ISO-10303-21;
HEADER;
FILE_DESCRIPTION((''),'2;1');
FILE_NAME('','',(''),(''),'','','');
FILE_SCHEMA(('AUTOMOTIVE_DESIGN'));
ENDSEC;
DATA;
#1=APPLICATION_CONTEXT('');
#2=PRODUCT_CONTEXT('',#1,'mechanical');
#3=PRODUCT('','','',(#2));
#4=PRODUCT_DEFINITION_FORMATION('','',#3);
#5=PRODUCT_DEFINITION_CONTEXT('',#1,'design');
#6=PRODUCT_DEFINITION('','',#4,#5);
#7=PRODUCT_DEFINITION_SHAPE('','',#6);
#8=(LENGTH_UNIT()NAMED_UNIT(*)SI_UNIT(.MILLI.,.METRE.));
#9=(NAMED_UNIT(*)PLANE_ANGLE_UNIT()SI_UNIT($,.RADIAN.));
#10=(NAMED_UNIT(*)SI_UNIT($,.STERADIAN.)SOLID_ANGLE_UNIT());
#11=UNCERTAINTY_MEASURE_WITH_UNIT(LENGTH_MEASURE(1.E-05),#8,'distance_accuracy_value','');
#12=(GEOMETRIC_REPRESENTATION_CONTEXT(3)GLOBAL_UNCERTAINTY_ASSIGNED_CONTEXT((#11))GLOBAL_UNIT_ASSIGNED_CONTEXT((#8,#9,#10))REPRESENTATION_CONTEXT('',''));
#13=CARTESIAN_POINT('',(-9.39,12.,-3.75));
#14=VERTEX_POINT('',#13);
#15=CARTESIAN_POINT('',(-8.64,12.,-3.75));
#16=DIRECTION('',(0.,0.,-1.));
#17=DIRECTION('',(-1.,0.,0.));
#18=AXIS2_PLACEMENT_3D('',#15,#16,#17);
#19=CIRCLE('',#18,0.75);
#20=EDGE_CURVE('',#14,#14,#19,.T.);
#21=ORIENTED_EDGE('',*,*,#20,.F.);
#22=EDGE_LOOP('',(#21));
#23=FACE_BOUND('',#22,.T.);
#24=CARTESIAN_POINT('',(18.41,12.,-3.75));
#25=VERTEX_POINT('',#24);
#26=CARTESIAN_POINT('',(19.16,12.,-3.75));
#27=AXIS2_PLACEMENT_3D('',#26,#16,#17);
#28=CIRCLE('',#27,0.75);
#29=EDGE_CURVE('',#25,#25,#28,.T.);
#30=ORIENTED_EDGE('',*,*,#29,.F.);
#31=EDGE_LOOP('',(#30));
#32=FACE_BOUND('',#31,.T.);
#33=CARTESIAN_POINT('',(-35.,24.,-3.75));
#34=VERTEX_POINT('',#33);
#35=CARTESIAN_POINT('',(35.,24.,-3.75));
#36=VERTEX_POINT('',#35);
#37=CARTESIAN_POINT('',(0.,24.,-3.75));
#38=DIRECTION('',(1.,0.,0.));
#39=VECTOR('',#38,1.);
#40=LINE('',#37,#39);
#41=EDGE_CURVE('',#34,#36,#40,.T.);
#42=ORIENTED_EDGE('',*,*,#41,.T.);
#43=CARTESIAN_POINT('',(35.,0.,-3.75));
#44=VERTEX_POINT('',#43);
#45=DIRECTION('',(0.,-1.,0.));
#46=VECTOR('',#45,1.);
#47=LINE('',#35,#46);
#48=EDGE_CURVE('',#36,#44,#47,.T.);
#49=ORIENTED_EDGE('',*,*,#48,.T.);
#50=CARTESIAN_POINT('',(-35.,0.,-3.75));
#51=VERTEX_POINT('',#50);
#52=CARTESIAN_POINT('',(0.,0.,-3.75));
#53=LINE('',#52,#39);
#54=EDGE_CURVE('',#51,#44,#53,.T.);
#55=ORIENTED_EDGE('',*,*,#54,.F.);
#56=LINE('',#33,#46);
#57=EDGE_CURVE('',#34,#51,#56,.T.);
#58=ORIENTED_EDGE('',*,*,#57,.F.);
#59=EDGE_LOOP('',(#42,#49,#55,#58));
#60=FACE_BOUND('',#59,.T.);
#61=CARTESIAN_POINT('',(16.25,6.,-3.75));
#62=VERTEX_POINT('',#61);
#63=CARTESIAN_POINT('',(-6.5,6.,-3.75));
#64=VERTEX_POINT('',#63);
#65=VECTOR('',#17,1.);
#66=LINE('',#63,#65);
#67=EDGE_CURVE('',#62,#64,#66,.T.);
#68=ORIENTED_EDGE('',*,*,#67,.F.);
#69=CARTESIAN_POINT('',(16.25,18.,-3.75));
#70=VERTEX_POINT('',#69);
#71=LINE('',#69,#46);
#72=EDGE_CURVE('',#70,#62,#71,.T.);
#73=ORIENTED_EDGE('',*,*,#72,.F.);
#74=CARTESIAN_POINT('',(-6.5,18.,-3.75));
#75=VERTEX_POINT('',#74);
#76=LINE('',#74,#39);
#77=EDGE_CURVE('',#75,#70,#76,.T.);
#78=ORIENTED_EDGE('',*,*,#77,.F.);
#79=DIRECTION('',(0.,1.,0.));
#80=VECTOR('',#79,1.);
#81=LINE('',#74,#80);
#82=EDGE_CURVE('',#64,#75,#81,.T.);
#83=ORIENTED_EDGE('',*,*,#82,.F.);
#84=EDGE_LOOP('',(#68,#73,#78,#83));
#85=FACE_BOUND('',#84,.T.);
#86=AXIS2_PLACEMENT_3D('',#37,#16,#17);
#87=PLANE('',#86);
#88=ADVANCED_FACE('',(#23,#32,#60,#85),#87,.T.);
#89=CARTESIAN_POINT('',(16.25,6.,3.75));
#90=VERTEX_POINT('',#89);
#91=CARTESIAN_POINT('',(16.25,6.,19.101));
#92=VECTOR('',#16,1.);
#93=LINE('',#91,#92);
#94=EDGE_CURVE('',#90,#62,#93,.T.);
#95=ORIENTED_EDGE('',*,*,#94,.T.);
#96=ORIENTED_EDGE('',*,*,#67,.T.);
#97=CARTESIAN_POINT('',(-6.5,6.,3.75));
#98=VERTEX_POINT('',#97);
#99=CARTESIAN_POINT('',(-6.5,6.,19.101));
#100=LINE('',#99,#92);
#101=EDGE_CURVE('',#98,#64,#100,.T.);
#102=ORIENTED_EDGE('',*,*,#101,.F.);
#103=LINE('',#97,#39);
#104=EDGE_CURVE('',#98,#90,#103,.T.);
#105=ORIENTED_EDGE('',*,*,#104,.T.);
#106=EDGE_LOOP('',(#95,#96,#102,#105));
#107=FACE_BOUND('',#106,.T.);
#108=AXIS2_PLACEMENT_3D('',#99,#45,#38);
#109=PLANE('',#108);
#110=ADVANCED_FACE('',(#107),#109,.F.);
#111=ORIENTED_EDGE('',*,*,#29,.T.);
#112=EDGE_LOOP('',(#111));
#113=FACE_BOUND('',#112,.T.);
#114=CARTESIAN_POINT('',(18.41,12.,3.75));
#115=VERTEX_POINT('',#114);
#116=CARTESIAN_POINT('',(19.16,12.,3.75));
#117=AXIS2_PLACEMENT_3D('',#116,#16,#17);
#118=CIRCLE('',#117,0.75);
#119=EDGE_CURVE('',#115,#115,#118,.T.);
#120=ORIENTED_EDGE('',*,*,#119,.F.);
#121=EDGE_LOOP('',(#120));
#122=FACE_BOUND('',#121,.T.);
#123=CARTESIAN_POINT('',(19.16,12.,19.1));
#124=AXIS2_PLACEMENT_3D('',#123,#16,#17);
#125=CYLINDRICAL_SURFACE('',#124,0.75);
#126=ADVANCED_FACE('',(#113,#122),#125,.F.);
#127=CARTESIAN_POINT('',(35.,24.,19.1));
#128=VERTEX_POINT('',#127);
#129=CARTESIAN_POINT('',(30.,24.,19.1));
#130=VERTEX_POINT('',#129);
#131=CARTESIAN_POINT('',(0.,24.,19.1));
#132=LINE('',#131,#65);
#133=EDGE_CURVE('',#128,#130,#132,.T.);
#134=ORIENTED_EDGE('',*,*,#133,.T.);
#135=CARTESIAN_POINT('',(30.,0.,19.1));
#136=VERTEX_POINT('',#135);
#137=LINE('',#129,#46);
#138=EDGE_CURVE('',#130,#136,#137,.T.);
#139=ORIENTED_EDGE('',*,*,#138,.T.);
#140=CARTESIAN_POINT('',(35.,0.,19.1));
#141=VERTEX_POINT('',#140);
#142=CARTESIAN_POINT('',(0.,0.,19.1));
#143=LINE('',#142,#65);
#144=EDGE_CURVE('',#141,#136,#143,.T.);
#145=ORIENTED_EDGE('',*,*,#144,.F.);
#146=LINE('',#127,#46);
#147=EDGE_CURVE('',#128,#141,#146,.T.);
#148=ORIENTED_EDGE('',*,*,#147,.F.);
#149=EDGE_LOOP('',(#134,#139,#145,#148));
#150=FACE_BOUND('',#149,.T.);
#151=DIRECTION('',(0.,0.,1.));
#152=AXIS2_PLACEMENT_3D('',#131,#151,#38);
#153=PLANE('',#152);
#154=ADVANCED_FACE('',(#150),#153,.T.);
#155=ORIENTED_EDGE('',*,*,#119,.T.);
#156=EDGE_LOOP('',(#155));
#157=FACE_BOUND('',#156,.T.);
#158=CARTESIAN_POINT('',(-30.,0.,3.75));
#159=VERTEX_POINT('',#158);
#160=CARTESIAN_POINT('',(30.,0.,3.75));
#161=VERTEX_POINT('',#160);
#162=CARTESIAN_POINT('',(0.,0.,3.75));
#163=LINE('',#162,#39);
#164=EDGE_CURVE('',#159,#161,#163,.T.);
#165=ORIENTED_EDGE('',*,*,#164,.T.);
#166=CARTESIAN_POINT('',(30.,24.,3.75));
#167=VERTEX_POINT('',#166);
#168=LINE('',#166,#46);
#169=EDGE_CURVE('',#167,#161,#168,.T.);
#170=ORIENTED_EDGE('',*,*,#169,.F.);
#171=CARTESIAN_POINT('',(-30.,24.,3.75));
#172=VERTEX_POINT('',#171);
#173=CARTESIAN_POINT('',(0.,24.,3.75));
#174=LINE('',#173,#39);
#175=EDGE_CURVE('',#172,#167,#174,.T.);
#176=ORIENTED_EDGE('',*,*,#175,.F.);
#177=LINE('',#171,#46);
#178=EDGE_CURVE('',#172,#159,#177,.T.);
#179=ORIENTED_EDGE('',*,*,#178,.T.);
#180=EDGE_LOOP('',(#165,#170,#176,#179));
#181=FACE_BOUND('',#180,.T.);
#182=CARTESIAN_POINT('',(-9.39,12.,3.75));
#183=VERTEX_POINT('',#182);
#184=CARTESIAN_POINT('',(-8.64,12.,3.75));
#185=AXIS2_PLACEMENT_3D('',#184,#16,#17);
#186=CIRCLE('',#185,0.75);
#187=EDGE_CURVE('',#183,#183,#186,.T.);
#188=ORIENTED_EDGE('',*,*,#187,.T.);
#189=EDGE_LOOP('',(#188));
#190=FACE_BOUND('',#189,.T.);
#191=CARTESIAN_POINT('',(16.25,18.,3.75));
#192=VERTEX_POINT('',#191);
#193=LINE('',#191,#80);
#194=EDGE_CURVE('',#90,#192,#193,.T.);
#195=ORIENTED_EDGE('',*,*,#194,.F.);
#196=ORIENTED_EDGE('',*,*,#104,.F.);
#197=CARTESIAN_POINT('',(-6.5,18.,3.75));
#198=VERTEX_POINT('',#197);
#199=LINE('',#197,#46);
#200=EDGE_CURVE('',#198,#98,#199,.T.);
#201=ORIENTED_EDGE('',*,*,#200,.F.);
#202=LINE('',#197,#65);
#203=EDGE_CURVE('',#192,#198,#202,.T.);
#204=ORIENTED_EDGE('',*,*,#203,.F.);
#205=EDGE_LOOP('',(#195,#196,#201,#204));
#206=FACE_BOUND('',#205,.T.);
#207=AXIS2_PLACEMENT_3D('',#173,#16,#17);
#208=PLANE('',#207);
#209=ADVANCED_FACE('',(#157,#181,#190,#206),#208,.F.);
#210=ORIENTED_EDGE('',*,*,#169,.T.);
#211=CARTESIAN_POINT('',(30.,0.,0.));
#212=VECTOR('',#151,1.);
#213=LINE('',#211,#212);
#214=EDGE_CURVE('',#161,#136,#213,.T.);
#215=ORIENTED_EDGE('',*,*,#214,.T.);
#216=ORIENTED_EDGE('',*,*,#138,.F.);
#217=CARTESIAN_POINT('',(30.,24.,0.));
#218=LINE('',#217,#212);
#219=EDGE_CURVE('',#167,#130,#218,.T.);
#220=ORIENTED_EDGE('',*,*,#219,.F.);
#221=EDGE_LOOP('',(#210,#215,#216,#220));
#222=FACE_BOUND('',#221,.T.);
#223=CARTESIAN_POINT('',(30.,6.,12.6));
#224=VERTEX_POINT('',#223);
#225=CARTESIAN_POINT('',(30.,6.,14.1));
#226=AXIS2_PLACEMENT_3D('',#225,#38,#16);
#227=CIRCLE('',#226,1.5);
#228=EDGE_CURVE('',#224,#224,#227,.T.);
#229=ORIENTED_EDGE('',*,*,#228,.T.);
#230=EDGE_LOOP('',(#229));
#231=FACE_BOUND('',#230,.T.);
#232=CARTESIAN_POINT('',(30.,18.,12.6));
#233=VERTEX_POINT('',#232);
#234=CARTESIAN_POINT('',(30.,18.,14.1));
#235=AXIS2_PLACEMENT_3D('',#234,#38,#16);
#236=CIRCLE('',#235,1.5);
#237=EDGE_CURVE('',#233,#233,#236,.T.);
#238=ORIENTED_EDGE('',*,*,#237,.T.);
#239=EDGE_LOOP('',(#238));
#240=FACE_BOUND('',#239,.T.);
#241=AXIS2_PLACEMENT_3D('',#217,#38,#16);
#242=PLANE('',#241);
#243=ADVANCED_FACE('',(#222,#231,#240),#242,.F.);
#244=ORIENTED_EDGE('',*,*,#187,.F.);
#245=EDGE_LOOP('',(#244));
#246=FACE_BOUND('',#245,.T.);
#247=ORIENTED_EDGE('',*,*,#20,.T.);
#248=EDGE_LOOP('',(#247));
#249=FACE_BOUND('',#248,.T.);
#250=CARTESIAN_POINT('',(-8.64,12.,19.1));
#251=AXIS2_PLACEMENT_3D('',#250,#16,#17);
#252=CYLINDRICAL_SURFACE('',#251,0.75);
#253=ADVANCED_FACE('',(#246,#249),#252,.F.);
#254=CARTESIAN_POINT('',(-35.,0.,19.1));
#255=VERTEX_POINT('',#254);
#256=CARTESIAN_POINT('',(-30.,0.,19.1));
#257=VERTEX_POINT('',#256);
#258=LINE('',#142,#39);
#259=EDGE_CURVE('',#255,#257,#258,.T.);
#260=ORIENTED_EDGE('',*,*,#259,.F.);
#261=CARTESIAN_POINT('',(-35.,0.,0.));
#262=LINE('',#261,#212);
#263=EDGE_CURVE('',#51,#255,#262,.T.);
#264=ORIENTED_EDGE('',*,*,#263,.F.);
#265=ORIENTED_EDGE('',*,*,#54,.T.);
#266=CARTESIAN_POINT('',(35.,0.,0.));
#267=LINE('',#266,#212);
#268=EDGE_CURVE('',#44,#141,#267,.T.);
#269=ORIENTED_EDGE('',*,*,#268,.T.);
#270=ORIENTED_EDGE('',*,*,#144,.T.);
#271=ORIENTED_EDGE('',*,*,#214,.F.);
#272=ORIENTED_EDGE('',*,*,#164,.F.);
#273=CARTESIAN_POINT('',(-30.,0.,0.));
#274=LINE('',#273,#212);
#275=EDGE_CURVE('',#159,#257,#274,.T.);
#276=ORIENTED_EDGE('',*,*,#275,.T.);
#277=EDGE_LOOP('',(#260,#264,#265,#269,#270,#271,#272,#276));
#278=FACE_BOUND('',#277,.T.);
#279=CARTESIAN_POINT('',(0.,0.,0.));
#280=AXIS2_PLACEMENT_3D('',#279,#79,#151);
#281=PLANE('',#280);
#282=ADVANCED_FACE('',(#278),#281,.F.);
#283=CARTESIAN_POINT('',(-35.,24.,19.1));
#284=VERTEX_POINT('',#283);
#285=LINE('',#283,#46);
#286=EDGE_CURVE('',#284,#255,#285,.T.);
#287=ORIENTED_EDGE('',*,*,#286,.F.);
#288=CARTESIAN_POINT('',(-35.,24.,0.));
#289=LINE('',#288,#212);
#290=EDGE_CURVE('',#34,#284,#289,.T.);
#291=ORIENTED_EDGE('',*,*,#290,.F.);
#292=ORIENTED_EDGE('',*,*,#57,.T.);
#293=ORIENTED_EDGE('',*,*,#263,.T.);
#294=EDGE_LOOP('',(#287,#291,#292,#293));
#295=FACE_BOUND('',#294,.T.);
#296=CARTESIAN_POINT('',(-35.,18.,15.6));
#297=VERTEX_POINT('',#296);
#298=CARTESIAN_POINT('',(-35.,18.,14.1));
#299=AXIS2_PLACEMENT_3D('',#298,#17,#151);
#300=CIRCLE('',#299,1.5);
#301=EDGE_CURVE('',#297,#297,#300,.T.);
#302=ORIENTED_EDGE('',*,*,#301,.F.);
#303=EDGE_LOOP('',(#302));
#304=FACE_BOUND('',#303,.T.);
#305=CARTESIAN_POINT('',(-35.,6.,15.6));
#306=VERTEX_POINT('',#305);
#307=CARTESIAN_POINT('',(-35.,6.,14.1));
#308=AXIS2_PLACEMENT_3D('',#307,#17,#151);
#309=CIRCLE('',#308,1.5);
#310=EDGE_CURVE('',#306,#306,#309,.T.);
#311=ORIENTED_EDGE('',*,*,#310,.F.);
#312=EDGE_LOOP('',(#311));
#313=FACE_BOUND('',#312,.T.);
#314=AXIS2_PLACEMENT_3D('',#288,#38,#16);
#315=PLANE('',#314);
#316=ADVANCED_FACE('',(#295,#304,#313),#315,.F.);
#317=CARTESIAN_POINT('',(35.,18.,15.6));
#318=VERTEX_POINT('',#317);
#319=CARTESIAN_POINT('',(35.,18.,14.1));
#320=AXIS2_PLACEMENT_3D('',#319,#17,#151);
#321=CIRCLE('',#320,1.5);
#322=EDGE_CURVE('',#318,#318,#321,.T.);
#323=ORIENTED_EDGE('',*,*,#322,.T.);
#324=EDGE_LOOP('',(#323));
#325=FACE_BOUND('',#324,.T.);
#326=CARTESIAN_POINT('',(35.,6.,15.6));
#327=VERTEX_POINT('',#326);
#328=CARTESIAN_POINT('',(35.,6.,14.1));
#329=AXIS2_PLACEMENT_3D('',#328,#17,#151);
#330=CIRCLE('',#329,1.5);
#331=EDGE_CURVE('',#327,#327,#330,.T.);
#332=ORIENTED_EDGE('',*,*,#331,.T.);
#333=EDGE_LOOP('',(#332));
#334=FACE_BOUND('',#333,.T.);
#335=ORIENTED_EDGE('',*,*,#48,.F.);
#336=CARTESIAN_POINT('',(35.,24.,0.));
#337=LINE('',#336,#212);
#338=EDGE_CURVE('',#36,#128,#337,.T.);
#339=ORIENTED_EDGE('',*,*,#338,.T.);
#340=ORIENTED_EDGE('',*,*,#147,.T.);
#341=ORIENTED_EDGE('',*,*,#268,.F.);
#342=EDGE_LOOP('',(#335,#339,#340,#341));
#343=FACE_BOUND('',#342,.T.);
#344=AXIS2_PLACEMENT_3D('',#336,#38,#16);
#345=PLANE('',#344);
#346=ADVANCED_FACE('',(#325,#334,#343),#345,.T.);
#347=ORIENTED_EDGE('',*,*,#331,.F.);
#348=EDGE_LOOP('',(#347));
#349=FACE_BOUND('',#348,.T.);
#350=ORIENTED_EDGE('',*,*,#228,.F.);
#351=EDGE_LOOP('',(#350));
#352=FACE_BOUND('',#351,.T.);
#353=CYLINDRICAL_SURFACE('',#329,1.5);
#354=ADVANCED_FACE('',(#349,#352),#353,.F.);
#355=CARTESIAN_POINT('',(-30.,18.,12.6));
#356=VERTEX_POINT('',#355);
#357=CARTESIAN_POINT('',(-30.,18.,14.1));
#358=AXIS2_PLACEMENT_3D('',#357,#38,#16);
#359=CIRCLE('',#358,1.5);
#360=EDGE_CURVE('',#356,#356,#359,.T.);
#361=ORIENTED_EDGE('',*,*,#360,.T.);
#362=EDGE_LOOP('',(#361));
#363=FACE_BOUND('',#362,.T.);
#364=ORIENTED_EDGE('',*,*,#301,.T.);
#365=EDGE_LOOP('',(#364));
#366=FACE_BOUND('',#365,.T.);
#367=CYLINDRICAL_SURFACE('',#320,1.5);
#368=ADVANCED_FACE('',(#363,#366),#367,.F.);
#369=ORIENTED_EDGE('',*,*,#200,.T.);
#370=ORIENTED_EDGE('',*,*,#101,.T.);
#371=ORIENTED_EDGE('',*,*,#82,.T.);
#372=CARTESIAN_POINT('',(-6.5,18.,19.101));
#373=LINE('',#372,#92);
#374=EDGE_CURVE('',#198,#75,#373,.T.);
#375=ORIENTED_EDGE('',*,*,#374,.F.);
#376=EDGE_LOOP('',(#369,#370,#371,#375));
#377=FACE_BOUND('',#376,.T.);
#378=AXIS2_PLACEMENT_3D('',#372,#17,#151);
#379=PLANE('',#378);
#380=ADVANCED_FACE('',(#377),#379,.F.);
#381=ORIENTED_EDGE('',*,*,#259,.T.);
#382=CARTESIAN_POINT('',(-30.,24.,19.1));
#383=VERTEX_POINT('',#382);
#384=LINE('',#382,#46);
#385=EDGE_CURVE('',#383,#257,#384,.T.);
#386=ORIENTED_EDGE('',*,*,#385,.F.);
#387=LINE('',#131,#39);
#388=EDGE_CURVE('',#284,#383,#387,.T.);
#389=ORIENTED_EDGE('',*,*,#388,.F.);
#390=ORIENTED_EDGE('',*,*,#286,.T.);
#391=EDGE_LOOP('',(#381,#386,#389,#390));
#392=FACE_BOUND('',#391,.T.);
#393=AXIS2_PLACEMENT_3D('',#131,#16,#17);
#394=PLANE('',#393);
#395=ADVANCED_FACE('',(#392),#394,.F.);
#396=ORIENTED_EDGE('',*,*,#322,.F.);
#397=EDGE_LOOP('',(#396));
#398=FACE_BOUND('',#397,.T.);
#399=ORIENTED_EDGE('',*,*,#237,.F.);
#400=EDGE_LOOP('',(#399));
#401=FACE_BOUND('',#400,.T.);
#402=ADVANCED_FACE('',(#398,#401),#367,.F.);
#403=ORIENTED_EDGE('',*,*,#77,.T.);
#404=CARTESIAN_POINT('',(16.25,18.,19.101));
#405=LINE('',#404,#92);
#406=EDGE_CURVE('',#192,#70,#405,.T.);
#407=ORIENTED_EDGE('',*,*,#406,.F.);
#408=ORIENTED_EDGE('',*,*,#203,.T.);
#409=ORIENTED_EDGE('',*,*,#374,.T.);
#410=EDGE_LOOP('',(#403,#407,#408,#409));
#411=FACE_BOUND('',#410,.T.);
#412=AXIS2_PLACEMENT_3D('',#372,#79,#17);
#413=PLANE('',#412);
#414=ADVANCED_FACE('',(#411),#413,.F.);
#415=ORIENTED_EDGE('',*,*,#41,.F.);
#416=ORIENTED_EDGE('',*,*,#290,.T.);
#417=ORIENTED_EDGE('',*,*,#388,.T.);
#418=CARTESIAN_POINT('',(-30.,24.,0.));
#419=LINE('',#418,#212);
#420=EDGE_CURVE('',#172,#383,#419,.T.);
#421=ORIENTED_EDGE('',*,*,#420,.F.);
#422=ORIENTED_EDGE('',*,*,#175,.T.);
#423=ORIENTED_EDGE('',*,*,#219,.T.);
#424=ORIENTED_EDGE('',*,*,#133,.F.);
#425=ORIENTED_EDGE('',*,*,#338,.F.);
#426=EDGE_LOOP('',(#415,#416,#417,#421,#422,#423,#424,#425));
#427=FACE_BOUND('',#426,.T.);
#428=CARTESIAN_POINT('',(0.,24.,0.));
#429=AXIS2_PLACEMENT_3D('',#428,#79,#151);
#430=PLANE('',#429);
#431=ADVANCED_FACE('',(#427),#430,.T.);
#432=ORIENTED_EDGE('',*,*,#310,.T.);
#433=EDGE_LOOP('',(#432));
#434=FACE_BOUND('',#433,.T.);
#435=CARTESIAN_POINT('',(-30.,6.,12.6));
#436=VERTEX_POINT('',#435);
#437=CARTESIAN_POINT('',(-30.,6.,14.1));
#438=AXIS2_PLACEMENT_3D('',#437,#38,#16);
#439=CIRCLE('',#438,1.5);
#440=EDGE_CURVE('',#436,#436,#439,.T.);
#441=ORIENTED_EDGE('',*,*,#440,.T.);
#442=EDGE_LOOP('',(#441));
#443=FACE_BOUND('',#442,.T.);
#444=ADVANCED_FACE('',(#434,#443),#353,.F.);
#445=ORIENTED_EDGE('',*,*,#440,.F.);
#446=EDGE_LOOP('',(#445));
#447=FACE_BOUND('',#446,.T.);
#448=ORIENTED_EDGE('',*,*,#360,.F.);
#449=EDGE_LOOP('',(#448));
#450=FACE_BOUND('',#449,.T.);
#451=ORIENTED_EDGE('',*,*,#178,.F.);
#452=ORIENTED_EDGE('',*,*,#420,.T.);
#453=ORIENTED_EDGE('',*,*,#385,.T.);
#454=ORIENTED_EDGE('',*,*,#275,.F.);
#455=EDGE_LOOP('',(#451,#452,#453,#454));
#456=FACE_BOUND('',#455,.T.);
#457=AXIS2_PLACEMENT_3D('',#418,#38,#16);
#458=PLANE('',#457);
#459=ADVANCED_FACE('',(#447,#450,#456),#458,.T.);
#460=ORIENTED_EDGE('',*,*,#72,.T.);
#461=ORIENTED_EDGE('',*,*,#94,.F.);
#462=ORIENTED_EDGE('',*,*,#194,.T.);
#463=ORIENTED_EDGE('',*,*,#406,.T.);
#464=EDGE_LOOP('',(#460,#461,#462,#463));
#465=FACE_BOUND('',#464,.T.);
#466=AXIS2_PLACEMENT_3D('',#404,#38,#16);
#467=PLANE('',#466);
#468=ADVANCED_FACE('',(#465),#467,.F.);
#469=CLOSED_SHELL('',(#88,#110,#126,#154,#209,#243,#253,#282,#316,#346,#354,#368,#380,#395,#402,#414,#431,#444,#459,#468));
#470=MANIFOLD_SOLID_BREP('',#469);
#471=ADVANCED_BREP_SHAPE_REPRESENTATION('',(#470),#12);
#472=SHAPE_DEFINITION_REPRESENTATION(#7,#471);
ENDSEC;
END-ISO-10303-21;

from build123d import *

# Parameters (mm, degrees)
SKETCH1_W           = 5
SKETCH1_H           = 15.35
BOSS_EXTRUDE1_DEPTH = 24
SKETCH2_R           = 1.5
CUT_EXTRUDE1_DEPTH  = 77.425192182
CUT_EXTRUDE4_REACH  = 50.199
SKETCH8_W           = 22.75
SKETCH8_H           = 12
SKETCH9_R           = 0.75
CUT_EXTRUDE5_DEPTH  = 49.198781105


with BuildPart() as part:
    # Sketch1 → Boss-Extrude1 (new body)
    with BuildSketch(Plane(origin=(0, 0, 0), x_dir=(1, 0, 0), z_dir=(0, 1, 0))):
        with Locations((-32.5, -11.425)):
            Rectangle(SKETCH1_W, SKETCH1_H)
        Polygon((-35, -3.75), (-30, -3.75), (0, -3.75), (0, 3.75), (-35, 3.75), align=None)
        Polygon((0, 3.75), (0, -3.75), (30, -3.75), (35, -3.75), (35, 3.75), align=None)
        with Locations((32.5, -11.425)):
            Rectangle(SKETCH1_W, SKETCH1_H)
    extrude(amount=BOSS_EXTRUDE1_DEPTH)

    # Sketch2 → Cut-Extrude1 (cut, through all)
    with BuildSketch(Plane.ZY.offset(35)):
        with Locations((14.1, 18)):
            Circle(SKETCH2_R)
        with Locations((14.1, 6)):
            Circle(SKETCH2_R)
    extrude(amount=-CUT_EXTRUDE1_DEPTH, mode=Mode.SUBTRACT)

    # Sketch8 → Cut-Extrude4 (cut, up to next)
    with BuildSketch(Plane(origin=(0, 0, -3.75), x_dir=(-1, 0, 0), z_dir=(0, 0, -1)), mode=Mode.PRIVATE) as cut_extrude4_sk1:
        with Locations((-4.875, 12)):
            Rectangle(SKETCH8_W, SKETCH8_H)
    cut_extrude4_tool1 = extrude(cut_extrude4_sk1.sketch, amount=-CUT_EXTRUDE4_REACH, mode=Mode.PRIVATE) & part.part
    add(cut_extrude4_tool1.solids().sort_by_distance((4.875, 12, -3.75))[0], mode=Mode.SUBTRACT)

    # Sketch9 → Cut-Extrude5 (cut, through all)
    with BuildSketch(Plane(origin=(0, 0, -3.75), x_dir=(-1, 0, 0), z_dir=(0, 0, -1))):
        with Locations((-19.16, 12)):
            Circle(SKETCH9_R)
        with Locations((8.64, 12)):
            Circle(SKETCH9_R)
    extrude(amount=-CUT_EXTRUDE5_DEPTH, mode=Mode.SUBTRACT)


solid = part.part
